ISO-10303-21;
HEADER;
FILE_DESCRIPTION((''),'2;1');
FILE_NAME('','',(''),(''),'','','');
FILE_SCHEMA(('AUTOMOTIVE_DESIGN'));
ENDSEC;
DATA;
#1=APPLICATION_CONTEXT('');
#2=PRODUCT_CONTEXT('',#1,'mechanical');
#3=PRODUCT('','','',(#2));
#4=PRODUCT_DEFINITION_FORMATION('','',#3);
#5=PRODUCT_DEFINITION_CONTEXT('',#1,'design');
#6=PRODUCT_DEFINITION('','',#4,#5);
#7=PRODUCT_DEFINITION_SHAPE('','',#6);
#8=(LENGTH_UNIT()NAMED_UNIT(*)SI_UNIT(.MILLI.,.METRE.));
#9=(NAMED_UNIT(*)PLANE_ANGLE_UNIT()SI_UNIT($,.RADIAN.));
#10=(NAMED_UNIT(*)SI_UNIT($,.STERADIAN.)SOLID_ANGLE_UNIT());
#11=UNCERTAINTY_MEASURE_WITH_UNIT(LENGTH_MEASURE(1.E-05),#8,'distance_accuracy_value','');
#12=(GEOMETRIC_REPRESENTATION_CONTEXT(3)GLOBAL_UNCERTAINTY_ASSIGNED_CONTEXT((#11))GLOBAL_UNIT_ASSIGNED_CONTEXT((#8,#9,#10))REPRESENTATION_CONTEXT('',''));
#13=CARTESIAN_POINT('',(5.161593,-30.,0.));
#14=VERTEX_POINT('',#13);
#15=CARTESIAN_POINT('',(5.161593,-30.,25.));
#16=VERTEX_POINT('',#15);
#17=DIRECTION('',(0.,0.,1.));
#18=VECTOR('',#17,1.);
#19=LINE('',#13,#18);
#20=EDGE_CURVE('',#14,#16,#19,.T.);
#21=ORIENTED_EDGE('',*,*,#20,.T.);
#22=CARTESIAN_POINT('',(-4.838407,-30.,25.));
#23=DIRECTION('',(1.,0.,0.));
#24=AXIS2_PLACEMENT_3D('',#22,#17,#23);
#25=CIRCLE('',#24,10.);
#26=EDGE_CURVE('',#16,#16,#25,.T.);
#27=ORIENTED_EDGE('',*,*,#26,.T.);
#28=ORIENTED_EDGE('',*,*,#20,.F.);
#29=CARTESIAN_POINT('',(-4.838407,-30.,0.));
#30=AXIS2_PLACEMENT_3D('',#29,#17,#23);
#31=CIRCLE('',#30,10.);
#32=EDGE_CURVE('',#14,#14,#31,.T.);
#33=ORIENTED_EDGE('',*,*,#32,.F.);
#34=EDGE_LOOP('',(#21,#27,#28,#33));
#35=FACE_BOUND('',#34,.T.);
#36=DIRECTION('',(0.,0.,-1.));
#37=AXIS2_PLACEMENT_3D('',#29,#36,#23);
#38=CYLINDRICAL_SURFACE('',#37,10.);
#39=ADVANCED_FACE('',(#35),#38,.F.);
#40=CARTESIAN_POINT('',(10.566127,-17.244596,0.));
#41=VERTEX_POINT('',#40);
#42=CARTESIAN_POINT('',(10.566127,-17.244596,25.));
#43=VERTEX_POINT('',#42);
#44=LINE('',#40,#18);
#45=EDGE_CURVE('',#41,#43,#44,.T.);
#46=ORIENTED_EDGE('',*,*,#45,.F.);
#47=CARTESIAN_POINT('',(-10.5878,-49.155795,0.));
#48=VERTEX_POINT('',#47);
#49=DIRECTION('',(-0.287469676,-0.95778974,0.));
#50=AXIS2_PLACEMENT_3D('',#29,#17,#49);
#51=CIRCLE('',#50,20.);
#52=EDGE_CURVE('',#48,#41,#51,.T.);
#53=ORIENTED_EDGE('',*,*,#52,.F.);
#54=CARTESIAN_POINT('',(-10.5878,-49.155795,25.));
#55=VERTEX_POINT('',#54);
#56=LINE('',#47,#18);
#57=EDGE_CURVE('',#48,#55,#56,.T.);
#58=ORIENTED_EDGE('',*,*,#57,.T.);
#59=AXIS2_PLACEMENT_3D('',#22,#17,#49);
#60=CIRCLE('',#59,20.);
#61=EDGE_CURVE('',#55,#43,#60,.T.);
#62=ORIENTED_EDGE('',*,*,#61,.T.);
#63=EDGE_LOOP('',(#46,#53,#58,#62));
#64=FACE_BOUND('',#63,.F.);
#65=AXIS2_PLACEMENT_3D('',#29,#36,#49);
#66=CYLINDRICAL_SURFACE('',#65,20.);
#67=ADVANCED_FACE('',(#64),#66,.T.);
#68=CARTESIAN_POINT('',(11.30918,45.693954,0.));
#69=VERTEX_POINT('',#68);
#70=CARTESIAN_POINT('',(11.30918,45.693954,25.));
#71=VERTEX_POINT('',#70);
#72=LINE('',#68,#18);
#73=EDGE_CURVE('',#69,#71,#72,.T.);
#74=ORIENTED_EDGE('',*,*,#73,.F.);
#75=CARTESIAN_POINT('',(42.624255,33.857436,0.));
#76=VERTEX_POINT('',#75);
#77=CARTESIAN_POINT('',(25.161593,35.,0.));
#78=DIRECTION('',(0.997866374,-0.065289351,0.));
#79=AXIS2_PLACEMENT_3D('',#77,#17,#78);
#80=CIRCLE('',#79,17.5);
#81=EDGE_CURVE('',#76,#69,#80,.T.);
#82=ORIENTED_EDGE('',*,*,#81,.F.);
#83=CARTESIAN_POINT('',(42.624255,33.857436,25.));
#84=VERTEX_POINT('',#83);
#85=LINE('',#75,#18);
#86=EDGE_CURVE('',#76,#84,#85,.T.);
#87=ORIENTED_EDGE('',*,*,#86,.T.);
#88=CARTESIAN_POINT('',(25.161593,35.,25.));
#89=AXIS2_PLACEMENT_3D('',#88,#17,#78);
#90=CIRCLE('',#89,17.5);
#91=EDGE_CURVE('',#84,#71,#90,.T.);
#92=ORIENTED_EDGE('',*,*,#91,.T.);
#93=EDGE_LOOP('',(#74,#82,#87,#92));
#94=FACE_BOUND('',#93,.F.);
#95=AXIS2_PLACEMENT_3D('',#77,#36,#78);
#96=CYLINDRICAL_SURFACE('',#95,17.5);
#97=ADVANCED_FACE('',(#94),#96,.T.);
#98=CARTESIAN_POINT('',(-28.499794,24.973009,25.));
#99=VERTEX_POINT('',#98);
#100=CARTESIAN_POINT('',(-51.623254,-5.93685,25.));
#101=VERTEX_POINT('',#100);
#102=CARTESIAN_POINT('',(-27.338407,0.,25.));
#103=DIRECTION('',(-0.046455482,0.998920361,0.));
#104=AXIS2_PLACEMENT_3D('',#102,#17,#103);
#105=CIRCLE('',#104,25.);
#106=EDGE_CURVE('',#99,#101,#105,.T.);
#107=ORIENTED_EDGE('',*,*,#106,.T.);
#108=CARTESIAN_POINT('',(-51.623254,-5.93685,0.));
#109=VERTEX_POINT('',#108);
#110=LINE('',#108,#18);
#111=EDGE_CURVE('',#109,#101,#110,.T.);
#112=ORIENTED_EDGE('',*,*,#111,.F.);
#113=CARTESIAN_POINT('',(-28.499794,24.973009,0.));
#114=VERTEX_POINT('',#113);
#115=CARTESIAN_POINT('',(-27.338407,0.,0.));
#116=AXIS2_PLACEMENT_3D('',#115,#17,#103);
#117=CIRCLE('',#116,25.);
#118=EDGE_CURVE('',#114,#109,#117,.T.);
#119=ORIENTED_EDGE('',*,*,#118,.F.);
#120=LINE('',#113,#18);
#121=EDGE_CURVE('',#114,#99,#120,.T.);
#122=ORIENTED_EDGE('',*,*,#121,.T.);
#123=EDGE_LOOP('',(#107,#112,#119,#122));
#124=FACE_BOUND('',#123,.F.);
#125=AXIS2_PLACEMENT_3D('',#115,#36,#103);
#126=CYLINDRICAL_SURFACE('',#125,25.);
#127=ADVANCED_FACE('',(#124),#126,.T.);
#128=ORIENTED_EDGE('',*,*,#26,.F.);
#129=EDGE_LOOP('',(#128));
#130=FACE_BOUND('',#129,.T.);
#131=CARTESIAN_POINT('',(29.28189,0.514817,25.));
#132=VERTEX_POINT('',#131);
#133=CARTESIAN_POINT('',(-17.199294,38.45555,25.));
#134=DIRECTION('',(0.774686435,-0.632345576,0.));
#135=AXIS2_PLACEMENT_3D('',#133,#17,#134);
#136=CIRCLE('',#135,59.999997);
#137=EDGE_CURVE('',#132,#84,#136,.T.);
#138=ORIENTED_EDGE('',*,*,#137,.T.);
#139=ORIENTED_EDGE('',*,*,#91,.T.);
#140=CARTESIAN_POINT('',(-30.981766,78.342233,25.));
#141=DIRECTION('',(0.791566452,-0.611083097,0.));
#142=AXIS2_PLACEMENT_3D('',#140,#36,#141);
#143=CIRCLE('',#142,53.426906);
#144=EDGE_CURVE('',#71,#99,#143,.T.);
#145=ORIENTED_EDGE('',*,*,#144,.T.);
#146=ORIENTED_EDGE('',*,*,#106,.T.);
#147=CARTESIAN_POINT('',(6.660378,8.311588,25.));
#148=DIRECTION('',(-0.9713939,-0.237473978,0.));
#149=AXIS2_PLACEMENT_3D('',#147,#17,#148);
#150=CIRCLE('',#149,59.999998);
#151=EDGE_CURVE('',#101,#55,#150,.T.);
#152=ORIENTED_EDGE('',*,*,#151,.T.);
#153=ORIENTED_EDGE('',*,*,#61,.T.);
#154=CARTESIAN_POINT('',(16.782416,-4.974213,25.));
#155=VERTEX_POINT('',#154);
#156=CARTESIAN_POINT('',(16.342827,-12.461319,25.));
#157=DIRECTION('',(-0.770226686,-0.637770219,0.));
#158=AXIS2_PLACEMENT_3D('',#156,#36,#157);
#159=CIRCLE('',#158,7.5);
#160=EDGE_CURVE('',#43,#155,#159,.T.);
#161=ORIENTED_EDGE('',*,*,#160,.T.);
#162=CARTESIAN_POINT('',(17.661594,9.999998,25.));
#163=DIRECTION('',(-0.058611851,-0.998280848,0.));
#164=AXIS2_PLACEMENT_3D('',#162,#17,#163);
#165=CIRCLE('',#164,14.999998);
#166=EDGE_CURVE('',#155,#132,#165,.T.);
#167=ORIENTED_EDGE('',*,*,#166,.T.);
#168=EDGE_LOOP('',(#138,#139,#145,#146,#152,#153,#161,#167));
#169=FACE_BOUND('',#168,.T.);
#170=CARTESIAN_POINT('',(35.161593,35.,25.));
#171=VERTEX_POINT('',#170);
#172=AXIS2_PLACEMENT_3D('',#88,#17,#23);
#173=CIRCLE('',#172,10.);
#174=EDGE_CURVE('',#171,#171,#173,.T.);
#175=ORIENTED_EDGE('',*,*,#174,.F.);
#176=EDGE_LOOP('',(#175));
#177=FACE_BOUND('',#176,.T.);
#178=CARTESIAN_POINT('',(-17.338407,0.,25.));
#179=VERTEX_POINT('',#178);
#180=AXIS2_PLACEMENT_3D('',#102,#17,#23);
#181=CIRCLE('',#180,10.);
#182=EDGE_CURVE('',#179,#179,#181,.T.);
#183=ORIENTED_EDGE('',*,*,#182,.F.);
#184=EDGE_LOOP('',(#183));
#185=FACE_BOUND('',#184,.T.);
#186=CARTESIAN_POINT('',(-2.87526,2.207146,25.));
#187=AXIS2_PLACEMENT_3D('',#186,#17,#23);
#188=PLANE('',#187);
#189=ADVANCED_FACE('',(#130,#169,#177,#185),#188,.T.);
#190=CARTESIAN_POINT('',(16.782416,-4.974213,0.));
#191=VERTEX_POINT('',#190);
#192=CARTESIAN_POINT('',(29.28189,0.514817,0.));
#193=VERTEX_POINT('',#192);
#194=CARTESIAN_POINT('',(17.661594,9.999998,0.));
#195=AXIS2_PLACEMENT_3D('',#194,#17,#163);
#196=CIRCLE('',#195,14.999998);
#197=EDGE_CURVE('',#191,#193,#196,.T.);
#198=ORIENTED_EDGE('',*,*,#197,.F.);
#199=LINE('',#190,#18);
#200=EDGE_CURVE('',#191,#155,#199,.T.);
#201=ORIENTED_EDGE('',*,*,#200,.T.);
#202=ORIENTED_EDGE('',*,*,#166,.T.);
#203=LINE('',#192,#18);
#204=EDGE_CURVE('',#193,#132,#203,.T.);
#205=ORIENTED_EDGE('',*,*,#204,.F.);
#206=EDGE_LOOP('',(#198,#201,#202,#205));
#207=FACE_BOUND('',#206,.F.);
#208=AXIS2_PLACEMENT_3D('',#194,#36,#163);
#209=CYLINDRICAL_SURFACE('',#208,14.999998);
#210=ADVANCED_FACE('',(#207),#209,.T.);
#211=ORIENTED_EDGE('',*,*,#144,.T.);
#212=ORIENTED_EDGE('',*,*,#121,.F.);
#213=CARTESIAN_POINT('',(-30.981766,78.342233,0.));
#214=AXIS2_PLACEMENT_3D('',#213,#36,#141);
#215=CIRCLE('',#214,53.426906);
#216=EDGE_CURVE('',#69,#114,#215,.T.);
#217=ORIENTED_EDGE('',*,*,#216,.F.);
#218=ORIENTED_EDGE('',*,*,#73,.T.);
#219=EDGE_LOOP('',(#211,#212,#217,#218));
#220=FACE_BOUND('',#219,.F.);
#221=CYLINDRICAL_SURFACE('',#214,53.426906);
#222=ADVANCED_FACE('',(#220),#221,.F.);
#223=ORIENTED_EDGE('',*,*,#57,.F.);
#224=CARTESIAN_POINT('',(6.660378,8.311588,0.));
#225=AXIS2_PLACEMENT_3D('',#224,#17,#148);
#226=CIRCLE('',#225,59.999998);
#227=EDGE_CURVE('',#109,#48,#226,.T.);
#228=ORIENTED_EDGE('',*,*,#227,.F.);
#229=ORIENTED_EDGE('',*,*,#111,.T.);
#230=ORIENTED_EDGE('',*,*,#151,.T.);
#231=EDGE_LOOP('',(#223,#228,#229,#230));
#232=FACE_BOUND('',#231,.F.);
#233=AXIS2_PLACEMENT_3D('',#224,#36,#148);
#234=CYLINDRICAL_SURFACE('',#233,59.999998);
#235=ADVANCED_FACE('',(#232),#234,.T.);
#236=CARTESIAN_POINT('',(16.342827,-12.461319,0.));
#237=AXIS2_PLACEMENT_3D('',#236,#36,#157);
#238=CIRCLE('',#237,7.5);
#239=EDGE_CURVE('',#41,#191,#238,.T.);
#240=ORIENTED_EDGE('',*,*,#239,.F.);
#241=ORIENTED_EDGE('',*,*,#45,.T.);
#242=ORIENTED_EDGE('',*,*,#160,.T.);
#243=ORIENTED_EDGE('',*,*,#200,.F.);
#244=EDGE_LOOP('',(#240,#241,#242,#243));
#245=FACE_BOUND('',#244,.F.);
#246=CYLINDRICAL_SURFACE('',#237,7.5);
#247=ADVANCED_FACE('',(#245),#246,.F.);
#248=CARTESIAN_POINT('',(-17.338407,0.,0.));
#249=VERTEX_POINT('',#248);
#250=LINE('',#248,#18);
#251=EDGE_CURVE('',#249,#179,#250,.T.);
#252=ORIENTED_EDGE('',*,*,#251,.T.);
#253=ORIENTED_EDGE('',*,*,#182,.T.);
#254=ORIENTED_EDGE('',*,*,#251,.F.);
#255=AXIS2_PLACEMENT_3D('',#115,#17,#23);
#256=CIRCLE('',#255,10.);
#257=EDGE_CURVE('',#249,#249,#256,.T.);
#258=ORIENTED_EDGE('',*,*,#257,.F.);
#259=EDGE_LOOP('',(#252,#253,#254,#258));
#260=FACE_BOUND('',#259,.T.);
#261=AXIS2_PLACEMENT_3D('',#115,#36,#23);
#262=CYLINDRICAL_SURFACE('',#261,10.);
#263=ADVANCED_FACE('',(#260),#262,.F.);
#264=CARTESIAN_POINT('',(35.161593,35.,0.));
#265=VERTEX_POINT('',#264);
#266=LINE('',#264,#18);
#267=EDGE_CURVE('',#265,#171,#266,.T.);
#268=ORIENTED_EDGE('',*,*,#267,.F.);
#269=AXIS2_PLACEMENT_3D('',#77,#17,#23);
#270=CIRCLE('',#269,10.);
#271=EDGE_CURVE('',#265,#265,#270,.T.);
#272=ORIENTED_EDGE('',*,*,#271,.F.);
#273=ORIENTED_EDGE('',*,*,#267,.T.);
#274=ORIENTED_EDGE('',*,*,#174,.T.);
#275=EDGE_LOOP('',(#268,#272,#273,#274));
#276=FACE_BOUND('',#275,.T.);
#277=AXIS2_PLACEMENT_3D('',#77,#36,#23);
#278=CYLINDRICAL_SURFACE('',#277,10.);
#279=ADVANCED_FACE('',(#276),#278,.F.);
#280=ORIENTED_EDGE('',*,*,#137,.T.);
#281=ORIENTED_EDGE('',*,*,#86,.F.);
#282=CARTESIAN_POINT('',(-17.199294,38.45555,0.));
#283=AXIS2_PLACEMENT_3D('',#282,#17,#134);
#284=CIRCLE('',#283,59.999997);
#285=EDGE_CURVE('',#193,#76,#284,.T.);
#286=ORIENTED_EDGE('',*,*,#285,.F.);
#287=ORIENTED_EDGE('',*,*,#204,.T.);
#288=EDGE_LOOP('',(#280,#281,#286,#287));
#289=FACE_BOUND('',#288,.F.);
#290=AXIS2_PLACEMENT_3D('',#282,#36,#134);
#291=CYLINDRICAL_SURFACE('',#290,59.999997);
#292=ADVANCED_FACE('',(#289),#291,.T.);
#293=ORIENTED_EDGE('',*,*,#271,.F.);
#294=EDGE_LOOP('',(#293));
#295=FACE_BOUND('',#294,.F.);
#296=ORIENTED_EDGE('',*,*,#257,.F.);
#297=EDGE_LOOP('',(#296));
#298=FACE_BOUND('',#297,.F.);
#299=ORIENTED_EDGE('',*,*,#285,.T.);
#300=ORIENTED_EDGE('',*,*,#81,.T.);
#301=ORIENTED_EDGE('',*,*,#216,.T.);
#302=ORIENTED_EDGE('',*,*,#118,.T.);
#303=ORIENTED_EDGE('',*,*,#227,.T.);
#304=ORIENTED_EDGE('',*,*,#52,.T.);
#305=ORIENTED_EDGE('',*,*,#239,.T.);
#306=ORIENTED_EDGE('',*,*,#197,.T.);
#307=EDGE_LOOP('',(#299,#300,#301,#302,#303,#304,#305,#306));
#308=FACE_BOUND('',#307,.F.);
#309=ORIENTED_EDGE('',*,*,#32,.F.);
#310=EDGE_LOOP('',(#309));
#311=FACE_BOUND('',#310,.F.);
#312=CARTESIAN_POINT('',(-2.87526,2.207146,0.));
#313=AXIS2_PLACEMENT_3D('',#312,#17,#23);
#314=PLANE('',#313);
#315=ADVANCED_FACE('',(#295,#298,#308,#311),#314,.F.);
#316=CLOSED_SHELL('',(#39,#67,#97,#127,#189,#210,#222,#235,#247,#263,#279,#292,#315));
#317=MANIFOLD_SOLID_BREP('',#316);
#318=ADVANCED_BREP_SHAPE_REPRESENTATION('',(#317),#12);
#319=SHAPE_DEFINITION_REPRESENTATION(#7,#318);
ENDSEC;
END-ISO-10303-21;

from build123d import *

# Parameters (mm, degrees)
F0_R     = 10
F1_DEPTH = 25


with BuildPart() as f1:
    # F0 (on Top) → F1 (new body)
    with BuildSketch(Plane.XY):
        with BuildLine():
            ThreePointArc((-10.5878, -49.155795), (11.831524, -41.050494), (10.566127, -17.244596))
            ThreePointArc((10.566127, -17.244596), (9.652404, -9.071889), (16.782416, -4.974213))
            ThreePointArc((16.782416, -4.974213), (23.692785, -3.734072), (29.28189, 0.514817))
            ThreePointArc((29.28189, 0.514817), (38.506241, 16.164452), (42.624255, 33.857436))
            ThreePointArc((42.624255, 33.857436), (31.349021, 51.369659), (11.30918, 45.693954))
            ThreePointArc((11.30918, 45.693954), (-6.314116, 30.95087), (-28.499794, 24.973009))
            ThreePointArc((-28.499794, 24.973009), (-47.356712, 14.975562), (-51.623254, -5.93685))
            ThreePointArc((-51.623254, -5.93685), (-36.850918, -33.001447), (-10.5878, -49.155795))
        make_face()
        with Locations((-27.338407, 0)):
            Circle(F0_R, mode=Mode.SUBTRACT)
        with Locations((-4.838407, -30)):
            Circle(F0_R, mode=Mode.SUBTRACT)
        with Locations((25.161593, 35)):
            Circle(F0_R, mode=Mode.SUBTRACT)
    extrude(amount=F1_DEPTH)


solid = f1.part
